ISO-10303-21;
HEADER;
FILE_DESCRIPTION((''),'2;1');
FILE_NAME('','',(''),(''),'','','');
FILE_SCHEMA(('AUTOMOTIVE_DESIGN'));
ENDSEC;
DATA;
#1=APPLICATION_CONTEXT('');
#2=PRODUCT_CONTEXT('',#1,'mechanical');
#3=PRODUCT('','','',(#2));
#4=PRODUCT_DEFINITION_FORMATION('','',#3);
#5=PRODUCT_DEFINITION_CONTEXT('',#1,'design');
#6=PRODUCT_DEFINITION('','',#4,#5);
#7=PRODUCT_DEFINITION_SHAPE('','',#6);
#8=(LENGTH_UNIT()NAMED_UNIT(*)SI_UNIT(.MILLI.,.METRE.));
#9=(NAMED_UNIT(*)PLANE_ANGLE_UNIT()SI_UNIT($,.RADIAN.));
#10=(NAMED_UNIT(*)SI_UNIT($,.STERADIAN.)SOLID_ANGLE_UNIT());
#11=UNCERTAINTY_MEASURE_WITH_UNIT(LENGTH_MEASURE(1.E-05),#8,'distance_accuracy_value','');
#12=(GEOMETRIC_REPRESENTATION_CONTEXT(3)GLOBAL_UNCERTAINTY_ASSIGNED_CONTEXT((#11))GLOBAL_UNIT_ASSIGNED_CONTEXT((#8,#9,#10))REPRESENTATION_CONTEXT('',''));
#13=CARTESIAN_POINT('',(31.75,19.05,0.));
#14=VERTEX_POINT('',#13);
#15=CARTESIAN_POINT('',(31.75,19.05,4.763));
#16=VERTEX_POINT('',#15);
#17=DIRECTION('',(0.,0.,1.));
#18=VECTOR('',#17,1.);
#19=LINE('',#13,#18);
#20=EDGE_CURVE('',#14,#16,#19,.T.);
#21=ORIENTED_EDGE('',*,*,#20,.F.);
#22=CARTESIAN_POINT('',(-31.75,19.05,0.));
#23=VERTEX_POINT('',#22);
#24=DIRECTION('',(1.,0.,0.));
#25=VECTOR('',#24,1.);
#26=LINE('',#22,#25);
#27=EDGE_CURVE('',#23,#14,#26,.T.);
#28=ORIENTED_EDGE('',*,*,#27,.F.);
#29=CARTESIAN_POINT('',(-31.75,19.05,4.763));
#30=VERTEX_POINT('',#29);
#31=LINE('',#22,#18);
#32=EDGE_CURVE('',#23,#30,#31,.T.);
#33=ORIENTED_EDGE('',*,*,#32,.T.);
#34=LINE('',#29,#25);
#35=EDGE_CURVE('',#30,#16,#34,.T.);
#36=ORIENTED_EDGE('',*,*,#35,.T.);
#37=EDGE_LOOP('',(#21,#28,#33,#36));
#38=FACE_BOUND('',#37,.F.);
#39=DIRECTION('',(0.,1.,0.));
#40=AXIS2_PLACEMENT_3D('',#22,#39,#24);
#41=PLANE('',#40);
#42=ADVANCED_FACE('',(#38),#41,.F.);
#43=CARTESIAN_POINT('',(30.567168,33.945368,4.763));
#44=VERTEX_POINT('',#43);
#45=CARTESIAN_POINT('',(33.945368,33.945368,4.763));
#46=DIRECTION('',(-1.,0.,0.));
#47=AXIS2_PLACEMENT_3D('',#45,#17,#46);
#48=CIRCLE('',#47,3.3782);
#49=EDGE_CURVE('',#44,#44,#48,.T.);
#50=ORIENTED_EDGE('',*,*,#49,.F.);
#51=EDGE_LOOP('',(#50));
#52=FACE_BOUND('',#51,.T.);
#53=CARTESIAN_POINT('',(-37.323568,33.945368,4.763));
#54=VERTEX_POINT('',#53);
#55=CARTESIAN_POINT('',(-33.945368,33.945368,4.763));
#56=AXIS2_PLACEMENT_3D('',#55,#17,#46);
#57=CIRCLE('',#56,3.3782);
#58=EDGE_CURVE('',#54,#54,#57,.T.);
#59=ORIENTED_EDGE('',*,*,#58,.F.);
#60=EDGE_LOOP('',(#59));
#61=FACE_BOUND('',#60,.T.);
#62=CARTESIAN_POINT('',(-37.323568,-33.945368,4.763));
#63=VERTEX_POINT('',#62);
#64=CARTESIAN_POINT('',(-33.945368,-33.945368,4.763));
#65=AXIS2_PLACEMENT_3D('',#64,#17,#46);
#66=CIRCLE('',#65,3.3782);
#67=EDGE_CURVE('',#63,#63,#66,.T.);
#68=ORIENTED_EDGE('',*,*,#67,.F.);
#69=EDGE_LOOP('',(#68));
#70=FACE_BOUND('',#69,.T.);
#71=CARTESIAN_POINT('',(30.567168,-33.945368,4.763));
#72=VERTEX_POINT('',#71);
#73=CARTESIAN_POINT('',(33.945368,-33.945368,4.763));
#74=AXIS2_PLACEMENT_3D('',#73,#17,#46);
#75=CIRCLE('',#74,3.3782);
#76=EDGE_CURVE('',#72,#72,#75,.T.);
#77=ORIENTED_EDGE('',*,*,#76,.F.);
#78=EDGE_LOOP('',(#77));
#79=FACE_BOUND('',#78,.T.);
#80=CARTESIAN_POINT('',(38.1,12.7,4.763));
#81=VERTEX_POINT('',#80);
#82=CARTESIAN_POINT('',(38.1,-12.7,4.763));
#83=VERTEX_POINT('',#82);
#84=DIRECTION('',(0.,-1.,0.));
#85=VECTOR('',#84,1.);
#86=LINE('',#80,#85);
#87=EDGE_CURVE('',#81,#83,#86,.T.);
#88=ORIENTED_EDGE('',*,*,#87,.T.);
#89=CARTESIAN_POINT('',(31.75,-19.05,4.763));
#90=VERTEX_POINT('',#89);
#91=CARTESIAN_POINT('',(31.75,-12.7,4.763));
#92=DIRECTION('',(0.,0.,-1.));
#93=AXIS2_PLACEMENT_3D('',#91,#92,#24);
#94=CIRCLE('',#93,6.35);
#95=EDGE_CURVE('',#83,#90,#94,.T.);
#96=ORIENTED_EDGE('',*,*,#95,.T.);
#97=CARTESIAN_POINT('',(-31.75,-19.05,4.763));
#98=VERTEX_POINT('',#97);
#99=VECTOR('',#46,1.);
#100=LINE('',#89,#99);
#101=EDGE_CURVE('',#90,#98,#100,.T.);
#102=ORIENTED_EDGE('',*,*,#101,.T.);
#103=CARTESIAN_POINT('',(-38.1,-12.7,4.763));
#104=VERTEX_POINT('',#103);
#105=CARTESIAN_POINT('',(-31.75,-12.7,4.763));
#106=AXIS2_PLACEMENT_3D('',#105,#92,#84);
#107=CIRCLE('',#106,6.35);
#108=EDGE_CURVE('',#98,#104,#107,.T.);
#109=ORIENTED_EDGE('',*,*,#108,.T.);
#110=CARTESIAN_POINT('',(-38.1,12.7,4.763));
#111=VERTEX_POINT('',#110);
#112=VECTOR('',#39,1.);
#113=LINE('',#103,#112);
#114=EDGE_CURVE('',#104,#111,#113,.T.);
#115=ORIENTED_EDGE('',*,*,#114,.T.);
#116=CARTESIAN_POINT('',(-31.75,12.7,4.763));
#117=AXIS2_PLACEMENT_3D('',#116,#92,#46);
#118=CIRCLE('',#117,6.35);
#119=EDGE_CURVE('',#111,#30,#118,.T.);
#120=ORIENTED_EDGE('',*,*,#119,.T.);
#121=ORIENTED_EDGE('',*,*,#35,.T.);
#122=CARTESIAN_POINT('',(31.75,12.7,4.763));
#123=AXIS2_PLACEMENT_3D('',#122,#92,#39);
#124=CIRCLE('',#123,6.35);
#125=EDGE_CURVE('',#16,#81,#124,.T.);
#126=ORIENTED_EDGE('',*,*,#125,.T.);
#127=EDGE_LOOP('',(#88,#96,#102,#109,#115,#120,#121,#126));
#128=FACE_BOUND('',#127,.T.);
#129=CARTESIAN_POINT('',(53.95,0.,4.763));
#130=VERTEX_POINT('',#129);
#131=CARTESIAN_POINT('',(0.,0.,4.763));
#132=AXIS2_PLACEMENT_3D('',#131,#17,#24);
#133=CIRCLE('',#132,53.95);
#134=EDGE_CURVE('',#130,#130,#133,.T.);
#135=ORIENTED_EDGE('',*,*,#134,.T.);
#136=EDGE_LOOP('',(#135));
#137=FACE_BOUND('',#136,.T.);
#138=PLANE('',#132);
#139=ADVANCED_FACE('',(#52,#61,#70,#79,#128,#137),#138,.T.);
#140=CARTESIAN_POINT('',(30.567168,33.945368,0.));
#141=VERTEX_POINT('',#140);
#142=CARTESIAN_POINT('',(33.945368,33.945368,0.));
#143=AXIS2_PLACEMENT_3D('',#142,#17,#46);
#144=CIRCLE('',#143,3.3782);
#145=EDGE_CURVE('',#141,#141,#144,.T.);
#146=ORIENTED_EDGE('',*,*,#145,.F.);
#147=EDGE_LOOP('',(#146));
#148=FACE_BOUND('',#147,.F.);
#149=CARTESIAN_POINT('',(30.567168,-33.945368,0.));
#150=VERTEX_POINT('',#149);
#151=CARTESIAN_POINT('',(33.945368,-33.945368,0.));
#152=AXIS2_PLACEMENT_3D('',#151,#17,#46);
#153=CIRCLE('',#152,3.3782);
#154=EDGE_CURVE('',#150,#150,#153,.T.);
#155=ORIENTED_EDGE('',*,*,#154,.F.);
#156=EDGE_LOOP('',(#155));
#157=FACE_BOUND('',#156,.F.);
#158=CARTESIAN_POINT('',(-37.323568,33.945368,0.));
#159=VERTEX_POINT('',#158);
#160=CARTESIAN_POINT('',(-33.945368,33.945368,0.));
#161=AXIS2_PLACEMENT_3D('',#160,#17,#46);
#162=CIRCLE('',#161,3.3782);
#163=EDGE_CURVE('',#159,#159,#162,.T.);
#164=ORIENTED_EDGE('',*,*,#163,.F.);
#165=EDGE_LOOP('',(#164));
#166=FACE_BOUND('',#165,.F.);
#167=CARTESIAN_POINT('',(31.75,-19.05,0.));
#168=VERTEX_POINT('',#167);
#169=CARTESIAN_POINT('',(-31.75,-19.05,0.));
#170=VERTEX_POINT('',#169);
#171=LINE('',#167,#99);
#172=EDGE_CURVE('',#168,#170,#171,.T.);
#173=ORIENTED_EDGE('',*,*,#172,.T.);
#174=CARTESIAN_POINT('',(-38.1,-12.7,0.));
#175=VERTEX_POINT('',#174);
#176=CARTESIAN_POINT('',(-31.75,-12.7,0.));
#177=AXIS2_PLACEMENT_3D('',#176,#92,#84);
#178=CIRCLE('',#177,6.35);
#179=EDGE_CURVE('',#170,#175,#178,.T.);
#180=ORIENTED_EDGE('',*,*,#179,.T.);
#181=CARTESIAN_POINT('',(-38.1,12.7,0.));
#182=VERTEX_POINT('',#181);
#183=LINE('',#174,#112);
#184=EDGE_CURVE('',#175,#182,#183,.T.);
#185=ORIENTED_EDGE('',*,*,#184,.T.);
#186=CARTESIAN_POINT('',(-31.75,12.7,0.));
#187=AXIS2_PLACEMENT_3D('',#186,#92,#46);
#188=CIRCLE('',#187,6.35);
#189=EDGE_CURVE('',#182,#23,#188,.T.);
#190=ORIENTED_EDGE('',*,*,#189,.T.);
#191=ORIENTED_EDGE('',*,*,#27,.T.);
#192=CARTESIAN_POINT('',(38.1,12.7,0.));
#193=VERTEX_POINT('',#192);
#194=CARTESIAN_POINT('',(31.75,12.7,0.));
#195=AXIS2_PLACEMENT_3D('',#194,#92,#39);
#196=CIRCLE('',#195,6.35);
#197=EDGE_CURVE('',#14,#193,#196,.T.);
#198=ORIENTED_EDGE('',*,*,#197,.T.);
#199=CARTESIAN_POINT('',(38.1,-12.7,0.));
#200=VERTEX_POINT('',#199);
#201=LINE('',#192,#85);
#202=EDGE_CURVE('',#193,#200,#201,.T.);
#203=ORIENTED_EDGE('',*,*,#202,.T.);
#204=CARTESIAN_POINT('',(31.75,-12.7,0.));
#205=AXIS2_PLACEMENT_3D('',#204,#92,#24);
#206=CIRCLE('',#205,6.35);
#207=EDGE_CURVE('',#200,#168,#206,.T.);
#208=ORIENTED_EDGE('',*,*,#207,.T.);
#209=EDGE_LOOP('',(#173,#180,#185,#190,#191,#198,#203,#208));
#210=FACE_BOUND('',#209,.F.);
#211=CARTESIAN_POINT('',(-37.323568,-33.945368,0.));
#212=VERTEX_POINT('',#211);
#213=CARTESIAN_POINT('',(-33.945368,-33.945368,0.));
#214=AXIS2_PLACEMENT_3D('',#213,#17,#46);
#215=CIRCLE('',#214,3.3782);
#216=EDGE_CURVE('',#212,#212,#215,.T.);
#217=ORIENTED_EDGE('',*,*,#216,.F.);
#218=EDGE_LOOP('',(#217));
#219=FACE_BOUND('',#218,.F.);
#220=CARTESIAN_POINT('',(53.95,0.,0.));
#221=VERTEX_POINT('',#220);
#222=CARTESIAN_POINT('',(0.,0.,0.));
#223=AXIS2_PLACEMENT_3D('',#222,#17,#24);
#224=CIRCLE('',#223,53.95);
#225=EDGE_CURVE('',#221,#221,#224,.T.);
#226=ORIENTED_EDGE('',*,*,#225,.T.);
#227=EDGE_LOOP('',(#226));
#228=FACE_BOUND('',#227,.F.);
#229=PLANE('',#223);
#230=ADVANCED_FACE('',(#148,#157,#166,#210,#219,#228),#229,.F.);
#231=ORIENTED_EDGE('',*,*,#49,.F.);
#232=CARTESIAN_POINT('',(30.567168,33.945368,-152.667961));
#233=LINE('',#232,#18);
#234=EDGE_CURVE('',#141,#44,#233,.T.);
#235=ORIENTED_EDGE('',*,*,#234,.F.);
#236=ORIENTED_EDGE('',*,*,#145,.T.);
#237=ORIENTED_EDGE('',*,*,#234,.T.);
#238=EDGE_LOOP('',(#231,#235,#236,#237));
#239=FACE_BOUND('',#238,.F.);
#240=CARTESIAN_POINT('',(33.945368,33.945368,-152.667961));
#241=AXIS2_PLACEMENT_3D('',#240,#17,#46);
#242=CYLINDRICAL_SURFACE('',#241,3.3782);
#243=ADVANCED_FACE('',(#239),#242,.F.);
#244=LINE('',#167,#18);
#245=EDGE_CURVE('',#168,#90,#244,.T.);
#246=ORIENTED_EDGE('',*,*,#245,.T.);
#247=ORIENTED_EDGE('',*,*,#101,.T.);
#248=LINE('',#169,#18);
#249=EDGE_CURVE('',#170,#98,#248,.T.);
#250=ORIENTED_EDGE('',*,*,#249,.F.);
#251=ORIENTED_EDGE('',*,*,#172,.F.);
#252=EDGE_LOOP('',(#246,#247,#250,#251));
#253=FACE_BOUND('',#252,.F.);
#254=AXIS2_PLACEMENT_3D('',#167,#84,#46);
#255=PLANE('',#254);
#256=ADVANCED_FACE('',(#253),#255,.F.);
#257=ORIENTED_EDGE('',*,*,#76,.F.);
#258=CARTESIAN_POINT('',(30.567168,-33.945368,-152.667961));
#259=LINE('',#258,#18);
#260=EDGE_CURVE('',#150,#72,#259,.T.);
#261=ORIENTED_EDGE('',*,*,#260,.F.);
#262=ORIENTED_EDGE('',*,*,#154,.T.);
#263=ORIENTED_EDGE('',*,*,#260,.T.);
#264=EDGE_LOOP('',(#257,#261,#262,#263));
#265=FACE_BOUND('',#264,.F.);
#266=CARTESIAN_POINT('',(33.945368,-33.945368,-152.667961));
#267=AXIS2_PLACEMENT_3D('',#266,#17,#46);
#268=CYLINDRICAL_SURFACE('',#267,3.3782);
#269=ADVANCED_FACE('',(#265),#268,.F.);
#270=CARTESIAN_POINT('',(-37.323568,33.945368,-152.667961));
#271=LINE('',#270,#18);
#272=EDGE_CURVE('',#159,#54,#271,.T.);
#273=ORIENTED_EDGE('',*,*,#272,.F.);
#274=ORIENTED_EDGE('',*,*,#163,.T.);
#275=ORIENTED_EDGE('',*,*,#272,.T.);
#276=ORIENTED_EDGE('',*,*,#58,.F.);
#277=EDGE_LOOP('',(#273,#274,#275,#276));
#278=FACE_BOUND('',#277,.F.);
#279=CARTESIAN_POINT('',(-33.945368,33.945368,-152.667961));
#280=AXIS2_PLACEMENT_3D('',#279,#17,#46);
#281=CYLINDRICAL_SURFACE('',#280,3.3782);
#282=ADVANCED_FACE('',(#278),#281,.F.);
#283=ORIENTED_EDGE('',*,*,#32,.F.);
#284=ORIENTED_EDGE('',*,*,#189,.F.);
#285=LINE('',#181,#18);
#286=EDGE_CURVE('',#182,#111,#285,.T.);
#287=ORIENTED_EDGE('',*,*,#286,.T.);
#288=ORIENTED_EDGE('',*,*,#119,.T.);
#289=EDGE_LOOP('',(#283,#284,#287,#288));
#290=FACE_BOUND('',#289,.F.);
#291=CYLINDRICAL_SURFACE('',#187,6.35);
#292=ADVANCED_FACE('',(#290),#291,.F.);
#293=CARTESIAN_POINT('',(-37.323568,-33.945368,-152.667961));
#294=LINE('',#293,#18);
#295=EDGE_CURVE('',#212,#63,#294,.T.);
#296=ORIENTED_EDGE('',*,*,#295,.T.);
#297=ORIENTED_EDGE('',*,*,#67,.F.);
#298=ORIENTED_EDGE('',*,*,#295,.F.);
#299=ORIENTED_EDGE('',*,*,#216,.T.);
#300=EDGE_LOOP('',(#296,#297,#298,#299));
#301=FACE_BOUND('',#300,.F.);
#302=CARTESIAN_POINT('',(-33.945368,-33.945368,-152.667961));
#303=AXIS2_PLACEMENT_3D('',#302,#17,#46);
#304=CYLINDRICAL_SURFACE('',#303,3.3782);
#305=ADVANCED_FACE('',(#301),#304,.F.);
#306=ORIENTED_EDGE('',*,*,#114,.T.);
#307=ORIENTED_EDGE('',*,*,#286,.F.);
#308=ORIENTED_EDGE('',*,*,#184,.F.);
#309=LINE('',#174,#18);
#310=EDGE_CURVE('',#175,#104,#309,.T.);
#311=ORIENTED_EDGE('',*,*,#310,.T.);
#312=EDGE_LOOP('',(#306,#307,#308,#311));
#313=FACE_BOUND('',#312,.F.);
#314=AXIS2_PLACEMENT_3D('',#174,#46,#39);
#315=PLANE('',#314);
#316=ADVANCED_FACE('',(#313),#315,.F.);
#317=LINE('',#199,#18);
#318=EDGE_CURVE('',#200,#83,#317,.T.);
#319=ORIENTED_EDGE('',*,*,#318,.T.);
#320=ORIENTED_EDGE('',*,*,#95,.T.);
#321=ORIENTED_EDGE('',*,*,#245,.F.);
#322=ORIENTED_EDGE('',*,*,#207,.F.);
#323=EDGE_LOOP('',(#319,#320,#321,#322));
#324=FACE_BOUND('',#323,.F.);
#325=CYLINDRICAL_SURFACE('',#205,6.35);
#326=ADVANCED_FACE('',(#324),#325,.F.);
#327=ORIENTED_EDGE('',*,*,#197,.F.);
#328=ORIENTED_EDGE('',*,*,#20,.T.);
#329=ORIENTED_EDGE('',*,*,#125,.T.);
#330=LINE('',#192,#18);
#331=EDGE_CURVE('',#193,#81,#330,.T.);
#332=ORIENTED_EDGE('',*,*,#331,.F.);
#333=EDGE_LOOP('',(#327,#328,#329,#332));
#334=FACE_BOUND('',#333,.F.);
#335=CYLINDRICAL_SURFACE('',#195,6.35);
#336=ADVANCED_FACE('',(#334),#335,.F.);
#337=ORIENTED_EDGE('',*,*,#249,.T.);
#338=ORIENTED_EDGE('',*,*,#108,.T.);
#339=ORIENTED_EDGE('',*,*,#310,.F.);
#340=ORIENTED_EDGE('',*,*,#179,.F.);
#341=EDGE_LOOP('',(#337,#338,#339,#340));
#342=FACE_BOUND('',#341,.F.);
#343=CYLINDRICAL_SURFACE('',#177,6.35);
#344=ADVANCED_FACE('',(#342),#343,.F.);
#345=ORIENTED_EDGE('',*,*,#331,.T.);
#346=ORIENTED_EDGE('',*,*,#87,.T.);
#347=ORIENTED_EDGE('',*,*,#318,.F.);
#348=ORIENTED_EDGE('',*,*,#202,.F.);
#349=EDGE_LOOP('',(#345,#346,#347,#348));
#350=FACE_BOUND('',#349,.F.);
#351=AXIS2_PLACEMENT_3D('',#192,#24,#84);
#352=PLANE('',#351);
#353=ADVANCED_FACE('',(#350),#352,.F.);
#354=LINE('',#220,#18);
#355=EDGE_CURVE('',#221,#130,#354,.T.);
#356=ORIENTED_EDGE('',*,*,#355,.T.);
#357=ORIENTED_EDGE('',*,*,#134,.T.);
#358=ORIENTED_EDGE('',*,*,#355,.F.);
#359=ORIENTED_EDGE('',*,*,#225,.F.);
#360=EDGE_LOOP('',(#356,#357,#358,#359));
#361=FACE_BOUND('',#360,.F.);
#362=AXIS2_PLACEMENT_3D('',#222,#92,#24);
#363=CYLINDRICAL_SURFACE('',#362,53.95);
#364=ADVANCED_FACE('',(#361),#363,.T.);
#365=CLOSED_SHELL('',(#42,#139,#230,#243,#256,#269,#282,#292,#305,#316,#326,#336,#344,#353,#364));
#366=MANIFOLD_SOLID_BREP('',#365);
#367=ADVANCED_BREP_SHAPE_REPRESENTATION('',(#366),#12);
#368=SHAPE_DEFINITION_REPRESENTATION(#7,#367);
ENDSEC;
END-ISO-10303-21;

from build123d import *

# Parameters (mm, degrees)
F0_R     = 53.95
F1_DEPTH = 4.763
F2_D     = 6.7564


with BuildPart() as f1:
    # F0 (on Top) → F1 (new body)
    with BuildSketch(Plane.XY):
        Circle(F0_R)
        with BuildLine():
            ThreePointArc((38.1, -12.7), (36.2401280605, -17.1901280605), (31.75, -19.05))
            Line((31.75, -19.05), (-31.75, -19.05))
            ThreePointArc((-31.75, -19.05), (-36.2401280605, -17.1901280605), (-38.1, -12.7))
            Line((-38.1, -12.7), (-38.1, 12.7))
            ThreePointArc((-38.1, 12.7), (-36.2401280605, 17.1901280605), (-31.75, 19.05))
            Line((-31.75, 19.05), (31.75, 19.05))
            ThreePointArc((31.75, 19.05), (36.2401280605, 17.1901280605), (38.1, 12.7))
            Line((38.1, 12.7), (38.1, -12.7))
        make_face(mode=Mode.SUBTRACT)
    extrude(amount=F1_DEPTH)

    # F2 (through all)
    with Locations(Plane(origin=(0, 0, 0), x_dir=(1, 0, 0), z_dir=(0, 0, -1))):
        with Locations((33.9453681376, -33.9453681376), (-33.9453681376, -33.9453681376), (-33.9453681376, 33.9453681376), (33.9453681376, 33.9453681376)):
            Hole(F2_D / 2)


solid = f1.part
